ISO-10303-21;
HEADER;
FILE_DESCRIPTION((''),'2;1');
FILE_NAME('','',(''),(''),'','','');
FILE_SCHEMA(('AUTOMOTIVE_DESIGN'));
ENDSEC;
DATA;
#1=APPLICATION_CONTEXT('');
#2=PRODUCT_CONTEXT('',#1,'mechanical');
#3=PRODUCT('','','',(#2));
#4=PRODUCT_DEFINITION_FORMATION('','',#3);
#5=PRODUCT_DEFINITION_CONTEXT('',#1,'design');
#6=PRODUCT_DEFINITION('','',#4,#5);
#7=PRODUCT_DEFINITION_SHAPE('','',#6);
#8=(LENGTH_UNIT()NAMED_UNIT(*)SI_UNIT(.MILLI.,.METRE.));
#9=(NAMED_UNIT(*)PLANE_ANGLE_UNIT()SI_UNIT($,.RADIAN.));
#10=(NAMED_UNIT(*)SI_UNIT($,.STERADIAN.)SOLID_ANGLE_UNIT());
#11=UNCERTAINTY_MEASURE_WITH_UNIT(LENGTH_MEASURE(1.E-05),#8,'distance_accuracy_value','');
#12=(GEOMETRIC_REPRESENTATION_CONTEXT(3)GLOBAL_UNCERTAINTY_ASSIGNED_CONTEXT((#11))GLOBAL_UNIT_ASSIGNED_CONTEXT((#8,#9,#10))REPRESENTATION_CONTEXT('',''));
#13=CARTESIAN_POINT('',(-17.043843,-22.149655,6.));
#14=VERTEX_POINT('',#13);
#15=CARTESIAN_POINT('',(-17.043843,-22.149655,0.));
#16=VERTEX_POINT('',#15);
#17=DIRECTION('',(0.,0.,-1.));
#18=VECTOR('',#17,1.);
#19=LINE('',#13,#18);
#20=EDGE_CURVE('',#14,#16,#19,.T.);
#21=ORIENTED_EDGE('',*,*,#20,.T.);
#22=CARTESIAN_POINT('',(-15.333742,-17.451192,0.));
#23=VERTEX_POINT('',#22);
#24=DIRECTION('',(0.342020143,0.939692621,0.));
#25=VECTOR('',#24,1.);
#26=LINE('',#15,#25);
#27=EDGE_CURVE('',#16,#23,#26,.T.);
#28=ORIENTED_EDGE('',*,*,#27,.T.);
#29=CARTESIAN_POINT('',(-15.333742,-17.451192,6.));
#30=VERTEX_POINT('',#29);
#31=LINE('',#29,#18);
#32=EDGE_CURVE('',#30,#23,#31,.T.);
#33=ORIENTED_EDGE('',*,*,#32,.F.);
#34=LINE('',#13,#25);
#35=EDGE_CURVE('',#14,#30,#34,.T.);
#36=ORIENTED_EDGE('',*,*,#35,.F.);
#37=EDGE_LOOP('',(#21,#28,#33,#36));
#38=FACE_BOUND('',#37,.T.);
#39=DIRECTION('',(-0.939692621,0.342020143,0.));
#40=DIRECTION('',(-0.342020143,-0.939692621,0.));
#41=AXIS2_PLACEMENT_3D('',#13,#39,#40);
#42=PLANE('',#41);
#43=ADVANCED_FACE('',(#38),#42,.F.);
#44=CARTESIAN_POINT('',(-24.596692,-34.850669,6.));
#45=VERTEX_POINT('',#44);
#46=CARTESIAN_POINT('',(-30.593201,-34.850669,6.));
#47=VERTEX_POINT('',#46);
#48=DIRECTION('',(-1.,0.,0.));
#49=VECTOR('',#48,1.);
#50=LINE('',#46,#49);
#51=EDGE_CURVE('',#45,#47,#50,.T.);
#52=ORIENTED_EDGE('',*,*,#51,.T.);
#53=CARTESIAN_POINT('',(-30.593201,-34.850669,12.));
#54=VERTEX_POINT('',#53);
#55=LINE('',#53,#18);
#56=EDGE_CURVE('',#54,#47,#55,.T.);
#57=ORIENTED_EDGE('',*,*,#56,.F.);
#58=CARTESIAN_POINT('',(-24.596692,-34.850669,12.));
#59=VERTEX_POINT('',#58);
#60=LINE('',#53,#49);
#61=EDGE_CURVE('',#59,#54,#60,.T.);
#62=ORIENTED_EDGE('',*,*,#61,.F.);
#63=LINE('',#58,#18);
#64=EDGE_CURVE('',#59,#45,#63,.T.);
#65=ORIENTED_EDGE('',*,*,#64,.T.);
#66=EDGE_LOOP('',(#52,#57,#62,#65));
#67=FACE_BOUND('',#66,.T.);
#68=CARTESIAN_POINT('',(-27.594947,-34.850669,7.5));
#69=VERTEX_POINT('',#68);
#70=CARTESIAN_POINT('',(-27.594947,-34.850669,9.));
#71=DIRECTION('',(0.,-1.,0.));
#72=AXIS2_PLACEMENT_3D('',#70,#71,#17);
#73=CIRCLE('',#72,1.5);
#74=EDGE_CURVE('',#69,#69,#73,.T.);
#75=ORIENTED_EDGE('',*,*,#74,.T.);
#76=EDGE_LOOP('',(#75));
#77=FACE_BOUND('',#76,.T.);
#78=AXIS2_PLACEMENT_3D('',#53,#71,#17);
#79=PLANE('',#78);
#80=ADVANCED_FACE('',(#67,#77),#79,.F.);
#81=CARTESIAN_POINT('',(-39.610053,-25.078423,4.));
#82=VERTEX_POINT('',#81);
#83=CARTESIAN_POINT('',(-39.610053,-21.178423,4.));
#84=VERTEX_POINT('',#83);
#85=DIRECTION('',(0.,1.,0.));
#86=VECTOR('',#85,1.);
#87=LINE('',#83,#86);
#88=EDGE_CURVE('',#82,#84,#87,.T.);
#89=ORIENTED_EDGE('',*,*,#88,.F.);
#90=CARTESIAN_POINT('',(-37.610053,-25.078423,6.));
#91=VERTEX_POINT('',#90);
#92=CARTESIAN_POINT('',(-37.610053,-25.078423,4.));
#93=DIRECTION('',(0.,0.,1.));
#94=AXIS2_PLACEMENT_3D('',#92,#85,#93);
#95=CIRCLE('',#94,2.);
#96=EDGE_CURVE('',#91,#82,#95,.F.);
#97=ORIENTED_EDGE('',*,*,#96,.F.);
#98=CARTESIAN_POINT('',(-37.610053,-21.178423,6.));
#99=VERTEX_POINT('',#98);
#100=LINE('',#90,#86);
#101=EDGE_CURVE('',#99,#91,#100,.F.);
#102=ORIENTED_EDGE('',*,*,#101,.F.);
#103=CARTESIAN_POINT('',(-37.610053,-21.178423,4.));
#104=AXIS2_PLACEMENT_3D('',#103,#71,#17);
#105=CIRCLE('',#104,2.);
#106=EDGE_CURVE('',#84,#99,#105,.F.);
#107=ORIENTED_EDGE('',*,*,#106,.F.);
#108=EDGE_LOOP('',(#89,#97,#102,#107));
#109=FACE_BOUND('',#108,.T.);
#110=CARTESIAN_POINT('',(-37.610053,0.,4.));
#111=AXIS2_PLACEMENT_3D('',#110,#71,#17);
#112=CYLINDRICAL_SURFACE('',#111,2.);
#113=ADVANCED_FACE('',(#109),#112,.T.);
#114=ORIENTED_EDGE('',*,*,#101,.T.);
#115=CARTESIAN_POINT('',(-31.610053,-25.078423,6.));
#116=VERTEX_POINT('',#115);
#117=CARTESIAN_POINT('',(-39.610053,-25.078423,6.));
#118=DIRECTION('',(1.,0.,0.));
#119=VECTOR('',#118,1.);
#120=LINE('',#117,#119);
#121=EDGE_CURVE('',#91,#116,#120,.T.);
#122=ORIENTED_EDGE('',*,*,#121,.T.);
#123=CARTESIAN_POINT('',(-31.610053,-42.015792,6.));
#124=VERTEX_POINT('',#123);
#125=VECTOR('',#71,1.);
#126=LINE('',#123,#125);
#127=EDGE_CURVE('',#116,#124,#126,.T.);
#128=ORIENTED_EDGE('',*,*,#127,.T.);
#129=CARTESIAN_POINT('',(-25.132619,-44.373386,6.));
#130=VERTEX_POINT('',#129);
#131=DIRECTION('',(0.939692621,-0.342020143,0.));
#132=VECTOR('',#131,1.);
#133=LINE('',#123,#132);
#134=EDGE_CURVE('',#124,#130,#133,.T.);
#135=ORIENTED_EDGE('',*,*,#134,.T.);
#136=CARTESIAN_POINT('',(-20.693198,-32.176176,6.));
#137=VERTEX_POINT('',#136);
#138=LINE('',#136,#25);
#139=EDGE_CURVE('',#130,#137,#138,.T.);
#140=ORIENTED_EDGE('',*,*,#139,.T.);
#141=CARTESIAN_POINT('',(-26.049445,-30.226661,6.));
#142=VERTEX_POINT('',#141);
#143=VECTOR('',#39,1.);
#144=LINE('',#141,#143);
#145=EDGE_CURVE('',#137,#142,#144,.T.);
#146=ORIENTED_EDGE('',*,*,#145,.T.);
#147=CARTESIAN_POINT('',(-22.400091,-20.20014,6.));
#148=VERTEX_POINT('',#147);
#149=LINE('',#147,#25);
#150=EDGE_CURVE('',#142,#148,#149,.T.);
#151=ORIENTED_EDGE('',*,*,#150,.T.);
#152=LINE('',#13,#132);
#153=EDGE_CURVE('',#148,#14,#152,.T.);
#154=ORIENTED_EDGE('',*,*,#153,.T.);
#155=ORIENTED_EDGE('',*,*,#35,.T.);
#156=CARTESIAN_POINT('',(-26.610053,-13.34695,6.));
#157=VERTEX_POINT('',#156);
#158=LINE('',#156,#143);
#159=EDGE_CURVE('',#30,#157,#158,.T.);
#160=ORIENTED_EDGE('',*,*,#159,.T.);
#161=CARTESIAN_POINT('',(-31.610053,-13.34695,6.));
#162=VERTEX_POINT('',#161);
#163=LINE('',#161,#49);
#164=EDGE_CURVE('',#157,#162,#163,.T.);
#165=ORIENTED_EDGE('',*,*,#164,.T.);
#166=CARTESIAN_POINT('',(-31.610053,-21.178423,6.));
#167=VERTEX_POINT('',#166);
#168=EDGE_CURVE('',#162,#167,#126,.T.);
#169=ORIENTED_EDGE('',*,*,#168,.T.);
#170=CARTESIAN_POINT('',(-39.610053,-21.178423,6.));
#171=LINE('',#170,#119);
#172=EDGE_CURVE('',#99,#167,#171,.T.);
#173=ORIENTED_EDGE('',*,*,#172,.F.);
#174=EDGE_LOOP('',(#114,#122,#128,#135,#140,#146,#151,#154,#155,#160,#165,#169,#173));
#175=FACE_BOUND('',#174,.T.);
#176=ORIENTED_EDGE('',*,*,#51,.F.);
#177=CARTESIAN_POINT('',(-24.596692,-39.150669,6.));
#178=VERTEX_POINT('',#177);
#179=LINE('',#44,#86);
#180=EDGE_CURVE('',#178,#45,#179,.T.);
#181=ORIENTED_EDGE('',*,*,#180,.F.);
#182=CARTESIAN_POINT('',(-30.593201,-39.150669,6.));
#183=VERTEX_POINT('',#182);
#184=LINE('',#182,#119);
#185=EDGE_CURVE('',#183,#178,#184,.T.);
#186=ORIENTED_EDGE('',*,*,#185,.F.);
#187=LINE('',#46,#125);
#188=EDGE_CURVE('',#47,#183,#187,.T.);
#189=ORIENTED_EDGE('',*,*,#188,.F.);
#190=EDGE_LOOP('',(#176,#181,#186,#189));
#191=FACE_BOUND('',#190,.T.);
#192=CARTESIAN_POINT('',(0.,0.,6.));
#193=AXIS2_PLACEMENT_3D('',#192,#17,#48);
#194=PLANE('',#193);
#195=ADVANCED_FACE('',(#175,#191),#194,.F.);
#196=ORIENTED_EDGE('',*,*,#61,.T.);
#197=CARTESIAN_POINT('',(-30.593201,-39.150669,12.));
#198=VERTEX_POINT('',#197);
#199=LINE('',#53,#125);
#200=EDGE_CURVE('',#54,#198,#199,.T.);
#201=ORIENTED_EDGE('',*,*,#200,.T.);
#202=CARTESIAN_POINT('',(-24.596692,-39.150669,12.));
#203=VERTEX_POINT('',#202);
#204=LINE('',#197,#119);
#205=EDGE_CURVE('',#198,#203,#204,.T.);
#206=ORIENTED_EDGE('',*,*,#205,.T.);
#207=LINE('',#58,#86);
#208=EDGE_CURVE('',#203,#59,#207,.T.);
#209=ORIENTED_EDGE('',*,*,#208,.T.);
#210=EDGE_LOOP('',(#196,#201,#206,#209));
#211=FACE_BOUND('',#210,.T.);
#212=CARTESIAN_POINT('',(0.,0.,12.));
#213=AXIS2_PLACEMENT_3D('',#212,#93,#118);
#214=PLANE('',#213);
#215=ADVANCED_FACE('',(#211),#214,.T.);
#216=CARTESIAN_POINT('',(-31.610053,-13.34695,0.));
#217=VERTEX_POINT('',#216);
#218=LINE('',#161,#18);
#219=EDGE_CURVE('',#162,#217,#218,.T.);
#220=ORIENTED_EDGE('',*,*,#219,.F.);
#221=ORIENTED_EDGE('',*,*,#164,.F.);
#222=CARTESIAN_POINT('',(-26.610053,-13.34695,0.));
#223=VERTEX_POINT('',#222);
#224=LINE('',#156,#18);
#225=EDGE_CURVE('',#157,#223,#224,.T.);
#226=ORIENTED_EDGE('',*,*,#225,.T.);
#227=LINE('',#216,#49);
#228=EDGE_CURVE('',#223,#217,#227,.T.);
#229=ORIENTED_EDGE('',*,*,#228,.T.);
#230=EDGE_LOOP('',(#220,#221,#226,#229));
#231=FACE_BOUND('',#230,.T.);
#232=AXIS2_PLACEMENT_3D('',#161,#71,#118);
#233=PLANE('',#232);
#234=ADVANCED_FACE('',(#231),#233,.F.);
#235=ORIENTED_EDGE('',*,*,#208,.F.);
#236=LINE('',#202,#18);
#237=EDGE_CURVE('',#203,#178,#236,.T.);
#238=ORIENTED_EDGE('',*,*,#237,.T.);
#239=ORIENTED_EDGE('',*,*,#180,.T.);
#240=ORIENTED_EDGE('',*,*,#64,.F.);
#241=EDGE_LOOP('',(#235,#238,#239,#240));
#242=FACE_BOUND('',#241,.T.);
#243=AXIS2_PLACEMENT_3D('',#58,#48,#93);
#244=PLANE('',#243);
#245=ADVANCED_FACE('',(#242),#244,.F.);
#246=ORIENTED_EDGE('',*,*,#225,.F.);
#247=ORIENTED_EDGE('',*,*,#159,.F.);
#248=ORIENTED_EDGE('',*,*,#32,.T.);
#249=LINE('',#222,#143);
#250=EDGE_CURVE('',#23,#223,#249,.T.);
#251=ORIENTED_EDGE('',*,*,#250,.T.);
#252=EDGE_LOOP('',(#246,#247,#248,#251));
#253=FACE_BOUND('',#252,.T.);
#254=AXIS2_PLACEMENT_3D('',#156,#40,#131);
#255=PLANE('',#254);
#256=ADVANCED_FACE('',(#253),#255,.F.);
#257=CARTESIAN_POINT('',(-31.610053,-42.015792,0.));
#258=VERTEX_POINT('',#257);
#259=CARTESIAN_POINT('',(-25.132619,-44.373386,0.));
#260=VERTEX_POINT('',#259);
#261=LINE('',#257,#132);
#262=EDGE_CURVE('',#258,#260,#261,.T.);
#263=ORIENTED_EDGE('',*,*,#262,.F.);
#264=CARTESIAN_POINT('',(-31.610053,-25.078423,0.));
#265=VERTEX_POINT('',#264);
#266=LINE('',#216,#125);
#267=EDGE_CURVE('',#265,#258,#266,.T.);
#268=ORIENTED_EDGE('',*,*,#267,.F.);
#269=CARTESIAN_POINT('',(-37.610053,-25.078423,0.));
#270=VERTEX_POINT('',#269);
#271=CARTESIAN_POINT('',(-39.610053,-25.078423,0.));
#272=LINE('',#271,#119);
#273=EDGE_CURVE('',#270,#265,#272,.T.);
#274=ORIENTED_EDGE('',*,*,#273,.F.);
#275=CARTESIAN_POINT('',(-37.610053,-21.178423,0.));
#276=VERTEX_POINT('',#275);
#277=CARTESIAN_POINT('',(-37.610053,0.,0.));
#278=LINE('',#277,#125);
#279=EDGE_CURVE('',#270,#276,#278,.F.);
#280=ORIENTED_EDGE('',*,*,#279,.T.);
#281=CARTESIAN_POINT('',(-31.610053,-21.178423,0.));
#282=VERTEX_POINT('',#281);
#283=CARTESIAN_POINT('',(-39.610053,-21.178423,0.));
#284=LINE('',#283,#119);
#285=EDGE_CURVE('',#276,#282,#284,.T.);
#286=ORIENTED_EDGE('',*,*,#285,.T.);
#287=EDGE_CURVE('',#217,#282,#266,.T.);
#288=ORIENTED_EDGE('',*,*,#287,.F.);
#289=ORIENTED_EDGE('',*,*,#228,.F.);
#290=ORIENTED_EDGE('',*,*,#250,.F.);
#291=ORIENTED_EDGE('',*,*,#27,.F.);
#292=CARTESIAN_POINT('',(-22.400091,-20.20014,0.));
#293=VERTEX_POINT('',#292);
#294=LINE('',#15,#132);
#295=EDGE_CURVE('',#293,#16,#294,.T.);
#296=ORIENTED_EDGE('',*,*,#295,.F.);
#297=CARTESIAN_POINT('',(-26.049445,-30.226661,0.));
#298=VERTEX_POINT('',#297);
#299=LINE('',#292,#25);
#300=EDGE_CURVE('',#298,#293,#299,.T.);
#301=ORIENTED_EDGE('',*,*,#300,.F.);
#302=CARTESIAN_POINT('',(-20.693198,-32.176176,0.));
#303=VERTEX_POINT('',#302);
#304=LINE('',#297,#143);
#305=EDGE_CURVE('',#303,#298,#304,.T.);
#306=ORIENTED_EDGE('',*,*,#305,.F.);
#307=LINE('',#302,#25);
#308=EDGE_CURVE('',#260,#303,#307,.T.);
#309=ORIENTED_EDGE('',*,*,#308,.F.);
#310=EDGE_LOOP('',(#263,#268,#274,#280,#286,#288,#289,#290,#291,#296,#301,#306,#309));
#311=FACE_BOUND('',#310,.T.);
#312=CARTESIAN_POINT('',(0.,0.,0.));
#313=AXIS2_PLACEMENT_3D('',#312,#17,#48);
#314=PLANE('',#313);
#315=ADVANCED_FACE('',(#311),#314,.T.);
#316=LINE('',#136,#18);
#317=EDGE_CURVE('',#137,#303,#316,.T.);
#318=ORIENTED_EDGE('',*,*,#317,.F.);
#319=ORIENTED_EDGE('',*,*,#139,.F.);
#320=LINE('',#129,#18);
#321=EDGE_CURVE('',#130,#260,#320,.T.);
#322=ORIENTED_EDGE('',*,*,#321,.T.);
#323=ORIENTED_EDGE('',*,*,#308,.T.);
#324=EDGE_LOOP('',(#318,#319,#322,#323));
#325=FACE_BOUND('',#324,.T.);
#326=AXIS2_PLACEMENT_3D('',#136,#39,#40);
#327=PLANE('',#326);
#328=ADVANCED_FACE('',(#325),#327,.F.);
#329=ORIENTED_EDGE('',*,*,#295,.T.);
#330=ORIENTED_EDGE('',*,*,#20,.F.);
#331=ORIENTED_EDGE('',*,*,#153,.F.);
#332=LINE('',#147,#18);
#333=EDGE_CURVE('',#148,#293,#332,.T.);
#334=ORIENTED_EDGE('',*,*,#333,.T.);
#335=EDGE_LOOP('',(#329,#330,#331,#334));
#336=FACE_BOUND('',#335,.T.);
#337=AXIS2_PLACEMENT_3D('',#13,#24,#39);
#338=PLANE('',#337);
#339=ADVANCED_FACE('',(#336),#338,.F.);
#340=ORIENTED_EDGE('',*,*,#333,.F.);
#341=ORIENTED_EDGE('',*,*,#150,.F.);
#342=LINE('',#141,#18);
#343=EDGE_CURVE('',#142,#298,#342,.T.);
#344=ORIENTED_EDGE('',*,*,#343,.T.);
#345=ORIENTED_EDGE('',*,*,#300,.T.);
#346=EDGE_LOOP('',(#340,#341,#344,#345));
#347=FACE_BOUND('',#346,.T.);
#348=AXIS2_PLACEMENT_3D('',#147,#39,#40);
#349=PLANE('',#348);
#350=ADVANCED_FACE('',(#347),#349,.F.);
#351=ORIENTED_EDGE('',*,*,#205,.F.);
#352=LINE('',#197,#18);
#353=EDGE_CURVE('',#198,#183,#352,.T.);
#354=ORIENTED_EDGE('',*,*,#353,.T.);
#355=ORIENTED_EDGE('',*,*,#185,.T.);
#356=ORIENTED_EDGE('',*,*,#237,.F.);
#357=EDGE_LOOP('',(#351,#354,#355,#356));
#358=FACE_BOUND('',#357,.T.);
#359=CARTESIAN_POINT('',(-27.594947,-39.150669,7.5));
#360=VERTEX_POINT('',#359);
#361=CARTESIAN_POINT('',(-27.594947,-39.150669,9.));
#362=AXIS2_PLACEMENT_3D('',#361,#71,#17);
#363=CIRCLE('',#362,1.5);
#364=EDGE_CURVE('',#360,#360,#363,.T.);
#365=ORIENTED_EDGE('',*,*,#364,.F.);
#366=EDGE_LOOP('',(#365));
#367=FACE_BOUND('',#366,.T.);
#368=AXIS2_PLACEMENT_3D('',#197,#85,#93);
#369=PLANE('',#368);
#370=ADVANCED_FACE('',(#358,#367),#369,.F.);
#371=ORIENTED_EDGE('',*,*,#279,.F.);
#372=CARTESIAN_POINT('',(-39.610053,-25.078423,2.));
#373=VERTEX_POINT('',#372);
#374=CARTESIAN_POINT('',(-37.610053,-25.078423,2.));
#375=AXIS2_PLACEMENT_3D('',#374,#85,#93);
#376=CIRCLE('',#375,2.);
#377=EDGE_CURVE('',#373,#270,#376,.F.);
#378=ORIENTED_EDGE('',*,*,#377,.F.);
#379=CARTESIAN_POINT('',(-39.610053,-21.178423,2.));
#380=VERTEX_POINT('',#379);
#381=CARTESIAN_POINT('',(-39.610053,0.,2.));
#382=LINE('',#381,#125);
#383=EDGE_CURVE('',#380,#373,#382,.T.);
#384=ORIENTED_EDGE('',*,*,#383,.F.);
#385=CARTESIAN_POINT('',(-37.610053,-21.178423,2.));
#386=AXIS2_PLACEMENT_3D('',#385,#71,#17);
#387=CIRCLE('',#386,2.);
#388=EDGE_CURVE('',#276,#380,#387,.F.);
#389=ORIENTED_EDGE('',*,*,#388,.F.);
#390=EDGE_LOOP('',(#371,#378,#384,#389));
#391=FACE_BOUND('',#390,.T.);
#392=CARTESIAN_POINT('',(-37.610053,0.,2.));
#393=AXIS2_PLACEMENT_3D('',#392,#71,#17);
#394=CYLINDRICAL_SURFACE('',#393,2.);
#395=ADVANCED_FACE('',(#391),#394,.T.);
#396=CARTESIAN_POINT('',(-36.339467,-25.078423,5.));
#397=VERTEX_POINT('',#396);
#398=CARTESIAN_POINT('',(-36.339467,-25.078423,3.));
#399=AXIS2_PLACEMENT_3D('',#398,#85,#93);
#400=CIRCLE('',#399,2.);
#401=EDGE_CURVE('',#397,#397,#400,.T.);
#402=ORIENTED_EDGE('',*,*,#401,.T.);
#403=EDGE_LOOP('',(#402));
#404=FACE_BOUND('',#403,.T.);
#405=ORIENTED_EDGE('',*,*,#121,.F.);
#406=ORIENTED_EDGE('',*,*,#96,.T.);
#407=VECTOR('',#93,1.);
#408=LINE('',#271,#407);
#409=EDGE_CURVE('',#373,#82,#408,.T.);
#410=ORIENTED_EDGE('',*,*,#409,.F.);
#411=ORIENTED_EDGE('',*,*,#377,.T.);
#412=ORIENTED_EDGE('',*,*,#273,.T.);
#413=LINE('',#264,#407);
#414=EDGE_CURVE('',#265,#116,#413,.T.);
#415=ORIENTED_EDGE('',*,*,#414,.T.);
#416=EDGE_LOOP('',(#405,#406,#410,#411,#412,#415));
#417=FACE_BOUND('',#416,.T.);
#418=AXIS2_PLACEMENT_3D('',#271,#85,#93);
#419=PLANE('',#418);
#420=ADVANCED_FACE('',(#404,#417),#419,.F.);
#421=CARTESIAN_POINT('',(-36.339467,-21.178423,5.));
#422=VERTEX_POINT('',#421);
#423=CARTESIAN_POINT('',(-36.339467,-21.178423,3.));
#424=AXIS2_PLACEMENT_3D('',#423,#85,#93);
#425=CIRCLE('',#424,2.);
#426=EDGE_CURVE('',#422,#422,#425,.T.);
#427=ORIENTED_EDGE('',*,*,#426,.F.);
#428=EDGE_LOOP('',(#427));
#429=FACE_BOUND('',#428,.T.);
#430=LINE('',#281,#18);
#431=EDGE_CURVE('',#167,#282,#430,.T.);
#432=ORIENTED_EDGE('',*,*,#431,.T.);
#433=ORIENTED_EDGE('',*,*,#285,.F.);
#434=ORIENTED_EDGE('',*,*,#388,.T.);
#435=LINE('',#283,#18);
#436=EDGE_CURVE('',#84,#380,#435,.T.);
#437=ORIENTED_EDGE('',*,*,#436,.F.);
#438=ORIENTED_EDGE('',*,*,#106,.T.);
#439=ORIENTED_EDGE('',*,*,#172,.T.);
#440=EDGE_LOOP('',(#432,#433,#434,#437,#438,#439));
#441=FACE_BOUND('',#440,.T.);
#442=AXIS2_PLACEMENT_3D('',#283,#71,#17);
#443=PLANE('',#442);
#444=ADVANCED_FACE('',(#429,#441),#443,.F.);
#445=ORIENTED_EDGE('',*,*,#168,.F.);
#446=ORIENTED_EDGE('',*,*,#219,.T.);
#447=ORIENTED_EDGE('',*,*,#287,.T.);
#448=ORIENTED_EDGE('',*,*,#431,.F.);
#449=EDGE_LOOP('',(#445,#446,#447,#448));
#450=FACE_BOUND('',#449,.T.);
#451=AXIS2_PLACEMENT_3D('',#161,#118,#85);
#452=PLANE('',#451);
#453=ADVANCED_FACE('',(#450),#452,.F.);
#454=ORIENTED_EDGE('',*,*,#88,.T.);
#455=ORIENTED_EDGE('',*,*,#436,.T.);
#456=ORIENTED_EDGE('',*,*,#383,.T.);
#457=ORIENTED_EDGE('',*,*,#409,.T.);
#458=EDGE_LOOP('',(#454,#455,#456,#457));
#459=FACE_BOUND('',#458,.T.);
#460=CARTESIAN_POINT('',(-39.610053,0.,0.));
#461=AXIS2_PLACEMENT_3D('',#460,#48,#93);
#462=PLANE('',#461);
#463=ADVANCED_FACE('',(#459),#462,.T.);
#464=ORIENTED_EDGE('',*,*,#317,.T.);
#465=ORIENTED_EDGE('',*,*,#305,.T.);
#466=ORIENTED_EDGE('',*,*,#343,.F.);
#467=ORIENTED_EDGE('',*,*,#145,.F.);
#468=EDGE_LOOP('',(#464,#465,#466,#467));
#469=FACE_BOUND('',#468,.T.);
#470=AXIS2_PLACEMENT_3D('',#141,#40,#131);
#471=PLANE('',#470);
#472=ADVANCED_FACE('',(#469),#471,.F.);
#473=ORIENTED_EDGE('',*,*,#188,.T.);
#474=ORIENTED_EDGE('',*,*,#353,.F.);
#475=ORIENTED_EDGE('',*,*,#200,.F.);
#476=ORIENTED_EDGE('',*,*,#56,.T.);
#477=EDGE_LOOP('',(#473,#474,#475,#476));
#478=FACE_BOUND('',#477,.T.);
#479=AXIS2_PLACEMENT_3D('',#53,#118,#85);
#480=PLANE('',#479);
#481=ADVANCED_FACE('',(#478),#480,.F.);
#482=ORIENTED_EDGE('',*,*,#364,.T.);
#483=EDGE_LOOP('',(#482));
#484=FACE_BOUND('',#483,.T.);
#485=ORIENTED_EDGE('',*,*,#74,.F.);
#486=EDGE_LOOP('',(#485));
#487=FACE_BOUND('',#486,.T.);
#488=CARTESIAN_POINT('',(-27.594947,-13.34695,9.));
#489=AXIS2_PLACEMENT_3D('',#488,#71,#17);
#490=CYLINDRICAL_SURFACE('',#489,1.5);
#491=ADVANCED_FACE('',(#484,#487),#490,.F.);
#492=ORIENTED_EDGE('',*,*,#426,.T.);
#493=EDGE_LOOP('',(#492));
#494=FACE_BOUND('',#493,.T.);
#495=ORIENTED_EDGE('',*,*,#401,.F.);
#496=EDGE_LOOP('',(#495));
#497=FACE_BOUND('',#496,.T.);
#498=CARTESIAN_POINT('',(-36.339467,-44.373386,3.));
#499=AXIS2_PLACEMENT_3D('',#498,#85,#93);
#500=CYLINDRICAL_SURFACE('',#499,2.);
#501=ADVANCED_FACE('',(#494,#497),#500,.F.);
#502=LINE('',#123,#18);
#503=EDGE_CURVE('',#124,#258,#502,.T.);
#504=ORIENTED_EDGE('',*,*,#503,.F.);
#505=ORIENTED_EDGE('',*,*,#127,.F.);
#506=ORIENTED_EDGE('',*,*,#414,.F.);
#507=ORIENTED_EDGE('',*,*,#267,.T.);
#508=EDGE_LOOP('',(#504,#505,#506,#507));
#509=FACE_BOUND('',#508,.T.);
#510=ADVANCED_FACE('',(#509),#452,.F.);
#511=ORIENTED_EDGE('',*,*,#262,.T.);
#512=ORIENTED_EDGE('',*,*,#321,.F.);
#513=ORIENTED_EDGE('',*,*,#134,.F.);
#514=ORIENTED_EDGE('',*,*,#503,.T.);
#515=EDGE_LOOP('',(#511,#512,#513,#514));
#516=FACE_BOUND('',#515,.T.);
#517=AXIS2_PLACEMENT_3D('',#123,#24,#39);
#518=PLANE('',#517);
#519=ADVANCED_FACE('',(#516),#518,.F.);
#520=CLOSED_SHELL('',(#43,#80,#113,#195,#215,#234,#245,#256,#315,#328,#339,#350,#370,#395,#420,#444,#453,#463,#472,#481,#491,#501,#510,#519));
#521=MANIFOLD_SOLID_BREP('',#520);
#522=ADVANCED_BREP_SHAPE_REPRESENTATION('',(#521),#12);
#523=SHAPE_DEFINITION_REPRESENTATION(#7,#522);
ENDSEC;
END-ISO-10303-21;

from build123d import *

# Parameters (mm, degrees)
BOSS_EXTRUDE1_DEPTH = 6
SKETCH2_W           = 6
SKETCH2_H           = 3.9
BOSS_EXTRUDE2_DEPTH = 8
SKETCH3_R           = 2
CUT_EXTRUDE2_DEPTH  = 24.194962869
FILLET1_R           = 2
SKETCH6_W           = 5.996508816
SKETCH6_H           = 4.3
BOSS_EXTRUDE4_DEPTH = 6
SKETCH7_R           = 1.5
CUT_EXTRUDE3_DEPTH  = 26.803718238


with BuildPart() as part:
    # Sketch1 → Boss-Extrude1 (new body)
    with BuildSketch(Plane.XY):
        Polygon((-31.610053316, -13.34695045), (-31.610053316, -34.17695045), (-31.610053316, -42.01579246), (-25.132618973, -44.373385755), (-20.693197512, -32.176175537), (-26.049445451, -30.226660721), (-22.400090521, -20.200140457), (-17.043842583, -22.149655274), (-15.333741866, -17.45119217), (-26.610053316, -13.34695045), align=None)
    extrude(amount=BOSS_EXTRUDE1_DEPTH)

    # Sketch2 → Boss-Extrude2 (add)
    with BuildSketch(Plane.ZY.offset(31.610053316)):
        with Locations((3, -23.128422886)):
            Rectangle(SKETCH2_W, SKETCH2_H)
    extrude(amount=BOSS_EXTRUDE2_DEPTH)

    # Sketch3 → Cut-Extrude2 (cut, through all)
    with BuildSketch(Plane(origin=(0, -21.178422886, 0), x_dir=(1, 0, 0), z_dir=(0, 1, 0))):
        with Locations((-36.339467267, -3)):
            Circle(SKETCH3_R)
    extrude(amount=-CUT_EXTRUDE2_DEPTH, mode=Mode.SUBTRACT)

    # Fillet1
    fillet1_edges = [part.edges().sort_by_distance(p)[0] for p in [
        (-39.610053316, -23.128422886, 0),
        (-39.610053316, -23.128422886, 6),
    ]]
    fillet(fillet1_edges, radius=FILLET1_R)

    # Sketch6 → Boss-Extrude4 (add)
    with BuildSketch(Plane.XY.offset(6)):
        with Locations((-27.594946536, -37.000668688)):
            Rectangle(SKETCH6_W, SKETCH6_H)
    extrude(amount=BOSS_EXTRUDE4_DEPTH)

    # Sketch7 → Cut-Extrude3 (cut, through all)
    with BuildSketch(Plane.XZ.offset(39.150668688)):
        with Locations((-27.594946536, 9)):
            Circle(SKETCH7_R)
    extrude(amount=-CUT_EXTRUDE3_DEPTH, mode=Mode.SUBTRACT)


solid = part.part
